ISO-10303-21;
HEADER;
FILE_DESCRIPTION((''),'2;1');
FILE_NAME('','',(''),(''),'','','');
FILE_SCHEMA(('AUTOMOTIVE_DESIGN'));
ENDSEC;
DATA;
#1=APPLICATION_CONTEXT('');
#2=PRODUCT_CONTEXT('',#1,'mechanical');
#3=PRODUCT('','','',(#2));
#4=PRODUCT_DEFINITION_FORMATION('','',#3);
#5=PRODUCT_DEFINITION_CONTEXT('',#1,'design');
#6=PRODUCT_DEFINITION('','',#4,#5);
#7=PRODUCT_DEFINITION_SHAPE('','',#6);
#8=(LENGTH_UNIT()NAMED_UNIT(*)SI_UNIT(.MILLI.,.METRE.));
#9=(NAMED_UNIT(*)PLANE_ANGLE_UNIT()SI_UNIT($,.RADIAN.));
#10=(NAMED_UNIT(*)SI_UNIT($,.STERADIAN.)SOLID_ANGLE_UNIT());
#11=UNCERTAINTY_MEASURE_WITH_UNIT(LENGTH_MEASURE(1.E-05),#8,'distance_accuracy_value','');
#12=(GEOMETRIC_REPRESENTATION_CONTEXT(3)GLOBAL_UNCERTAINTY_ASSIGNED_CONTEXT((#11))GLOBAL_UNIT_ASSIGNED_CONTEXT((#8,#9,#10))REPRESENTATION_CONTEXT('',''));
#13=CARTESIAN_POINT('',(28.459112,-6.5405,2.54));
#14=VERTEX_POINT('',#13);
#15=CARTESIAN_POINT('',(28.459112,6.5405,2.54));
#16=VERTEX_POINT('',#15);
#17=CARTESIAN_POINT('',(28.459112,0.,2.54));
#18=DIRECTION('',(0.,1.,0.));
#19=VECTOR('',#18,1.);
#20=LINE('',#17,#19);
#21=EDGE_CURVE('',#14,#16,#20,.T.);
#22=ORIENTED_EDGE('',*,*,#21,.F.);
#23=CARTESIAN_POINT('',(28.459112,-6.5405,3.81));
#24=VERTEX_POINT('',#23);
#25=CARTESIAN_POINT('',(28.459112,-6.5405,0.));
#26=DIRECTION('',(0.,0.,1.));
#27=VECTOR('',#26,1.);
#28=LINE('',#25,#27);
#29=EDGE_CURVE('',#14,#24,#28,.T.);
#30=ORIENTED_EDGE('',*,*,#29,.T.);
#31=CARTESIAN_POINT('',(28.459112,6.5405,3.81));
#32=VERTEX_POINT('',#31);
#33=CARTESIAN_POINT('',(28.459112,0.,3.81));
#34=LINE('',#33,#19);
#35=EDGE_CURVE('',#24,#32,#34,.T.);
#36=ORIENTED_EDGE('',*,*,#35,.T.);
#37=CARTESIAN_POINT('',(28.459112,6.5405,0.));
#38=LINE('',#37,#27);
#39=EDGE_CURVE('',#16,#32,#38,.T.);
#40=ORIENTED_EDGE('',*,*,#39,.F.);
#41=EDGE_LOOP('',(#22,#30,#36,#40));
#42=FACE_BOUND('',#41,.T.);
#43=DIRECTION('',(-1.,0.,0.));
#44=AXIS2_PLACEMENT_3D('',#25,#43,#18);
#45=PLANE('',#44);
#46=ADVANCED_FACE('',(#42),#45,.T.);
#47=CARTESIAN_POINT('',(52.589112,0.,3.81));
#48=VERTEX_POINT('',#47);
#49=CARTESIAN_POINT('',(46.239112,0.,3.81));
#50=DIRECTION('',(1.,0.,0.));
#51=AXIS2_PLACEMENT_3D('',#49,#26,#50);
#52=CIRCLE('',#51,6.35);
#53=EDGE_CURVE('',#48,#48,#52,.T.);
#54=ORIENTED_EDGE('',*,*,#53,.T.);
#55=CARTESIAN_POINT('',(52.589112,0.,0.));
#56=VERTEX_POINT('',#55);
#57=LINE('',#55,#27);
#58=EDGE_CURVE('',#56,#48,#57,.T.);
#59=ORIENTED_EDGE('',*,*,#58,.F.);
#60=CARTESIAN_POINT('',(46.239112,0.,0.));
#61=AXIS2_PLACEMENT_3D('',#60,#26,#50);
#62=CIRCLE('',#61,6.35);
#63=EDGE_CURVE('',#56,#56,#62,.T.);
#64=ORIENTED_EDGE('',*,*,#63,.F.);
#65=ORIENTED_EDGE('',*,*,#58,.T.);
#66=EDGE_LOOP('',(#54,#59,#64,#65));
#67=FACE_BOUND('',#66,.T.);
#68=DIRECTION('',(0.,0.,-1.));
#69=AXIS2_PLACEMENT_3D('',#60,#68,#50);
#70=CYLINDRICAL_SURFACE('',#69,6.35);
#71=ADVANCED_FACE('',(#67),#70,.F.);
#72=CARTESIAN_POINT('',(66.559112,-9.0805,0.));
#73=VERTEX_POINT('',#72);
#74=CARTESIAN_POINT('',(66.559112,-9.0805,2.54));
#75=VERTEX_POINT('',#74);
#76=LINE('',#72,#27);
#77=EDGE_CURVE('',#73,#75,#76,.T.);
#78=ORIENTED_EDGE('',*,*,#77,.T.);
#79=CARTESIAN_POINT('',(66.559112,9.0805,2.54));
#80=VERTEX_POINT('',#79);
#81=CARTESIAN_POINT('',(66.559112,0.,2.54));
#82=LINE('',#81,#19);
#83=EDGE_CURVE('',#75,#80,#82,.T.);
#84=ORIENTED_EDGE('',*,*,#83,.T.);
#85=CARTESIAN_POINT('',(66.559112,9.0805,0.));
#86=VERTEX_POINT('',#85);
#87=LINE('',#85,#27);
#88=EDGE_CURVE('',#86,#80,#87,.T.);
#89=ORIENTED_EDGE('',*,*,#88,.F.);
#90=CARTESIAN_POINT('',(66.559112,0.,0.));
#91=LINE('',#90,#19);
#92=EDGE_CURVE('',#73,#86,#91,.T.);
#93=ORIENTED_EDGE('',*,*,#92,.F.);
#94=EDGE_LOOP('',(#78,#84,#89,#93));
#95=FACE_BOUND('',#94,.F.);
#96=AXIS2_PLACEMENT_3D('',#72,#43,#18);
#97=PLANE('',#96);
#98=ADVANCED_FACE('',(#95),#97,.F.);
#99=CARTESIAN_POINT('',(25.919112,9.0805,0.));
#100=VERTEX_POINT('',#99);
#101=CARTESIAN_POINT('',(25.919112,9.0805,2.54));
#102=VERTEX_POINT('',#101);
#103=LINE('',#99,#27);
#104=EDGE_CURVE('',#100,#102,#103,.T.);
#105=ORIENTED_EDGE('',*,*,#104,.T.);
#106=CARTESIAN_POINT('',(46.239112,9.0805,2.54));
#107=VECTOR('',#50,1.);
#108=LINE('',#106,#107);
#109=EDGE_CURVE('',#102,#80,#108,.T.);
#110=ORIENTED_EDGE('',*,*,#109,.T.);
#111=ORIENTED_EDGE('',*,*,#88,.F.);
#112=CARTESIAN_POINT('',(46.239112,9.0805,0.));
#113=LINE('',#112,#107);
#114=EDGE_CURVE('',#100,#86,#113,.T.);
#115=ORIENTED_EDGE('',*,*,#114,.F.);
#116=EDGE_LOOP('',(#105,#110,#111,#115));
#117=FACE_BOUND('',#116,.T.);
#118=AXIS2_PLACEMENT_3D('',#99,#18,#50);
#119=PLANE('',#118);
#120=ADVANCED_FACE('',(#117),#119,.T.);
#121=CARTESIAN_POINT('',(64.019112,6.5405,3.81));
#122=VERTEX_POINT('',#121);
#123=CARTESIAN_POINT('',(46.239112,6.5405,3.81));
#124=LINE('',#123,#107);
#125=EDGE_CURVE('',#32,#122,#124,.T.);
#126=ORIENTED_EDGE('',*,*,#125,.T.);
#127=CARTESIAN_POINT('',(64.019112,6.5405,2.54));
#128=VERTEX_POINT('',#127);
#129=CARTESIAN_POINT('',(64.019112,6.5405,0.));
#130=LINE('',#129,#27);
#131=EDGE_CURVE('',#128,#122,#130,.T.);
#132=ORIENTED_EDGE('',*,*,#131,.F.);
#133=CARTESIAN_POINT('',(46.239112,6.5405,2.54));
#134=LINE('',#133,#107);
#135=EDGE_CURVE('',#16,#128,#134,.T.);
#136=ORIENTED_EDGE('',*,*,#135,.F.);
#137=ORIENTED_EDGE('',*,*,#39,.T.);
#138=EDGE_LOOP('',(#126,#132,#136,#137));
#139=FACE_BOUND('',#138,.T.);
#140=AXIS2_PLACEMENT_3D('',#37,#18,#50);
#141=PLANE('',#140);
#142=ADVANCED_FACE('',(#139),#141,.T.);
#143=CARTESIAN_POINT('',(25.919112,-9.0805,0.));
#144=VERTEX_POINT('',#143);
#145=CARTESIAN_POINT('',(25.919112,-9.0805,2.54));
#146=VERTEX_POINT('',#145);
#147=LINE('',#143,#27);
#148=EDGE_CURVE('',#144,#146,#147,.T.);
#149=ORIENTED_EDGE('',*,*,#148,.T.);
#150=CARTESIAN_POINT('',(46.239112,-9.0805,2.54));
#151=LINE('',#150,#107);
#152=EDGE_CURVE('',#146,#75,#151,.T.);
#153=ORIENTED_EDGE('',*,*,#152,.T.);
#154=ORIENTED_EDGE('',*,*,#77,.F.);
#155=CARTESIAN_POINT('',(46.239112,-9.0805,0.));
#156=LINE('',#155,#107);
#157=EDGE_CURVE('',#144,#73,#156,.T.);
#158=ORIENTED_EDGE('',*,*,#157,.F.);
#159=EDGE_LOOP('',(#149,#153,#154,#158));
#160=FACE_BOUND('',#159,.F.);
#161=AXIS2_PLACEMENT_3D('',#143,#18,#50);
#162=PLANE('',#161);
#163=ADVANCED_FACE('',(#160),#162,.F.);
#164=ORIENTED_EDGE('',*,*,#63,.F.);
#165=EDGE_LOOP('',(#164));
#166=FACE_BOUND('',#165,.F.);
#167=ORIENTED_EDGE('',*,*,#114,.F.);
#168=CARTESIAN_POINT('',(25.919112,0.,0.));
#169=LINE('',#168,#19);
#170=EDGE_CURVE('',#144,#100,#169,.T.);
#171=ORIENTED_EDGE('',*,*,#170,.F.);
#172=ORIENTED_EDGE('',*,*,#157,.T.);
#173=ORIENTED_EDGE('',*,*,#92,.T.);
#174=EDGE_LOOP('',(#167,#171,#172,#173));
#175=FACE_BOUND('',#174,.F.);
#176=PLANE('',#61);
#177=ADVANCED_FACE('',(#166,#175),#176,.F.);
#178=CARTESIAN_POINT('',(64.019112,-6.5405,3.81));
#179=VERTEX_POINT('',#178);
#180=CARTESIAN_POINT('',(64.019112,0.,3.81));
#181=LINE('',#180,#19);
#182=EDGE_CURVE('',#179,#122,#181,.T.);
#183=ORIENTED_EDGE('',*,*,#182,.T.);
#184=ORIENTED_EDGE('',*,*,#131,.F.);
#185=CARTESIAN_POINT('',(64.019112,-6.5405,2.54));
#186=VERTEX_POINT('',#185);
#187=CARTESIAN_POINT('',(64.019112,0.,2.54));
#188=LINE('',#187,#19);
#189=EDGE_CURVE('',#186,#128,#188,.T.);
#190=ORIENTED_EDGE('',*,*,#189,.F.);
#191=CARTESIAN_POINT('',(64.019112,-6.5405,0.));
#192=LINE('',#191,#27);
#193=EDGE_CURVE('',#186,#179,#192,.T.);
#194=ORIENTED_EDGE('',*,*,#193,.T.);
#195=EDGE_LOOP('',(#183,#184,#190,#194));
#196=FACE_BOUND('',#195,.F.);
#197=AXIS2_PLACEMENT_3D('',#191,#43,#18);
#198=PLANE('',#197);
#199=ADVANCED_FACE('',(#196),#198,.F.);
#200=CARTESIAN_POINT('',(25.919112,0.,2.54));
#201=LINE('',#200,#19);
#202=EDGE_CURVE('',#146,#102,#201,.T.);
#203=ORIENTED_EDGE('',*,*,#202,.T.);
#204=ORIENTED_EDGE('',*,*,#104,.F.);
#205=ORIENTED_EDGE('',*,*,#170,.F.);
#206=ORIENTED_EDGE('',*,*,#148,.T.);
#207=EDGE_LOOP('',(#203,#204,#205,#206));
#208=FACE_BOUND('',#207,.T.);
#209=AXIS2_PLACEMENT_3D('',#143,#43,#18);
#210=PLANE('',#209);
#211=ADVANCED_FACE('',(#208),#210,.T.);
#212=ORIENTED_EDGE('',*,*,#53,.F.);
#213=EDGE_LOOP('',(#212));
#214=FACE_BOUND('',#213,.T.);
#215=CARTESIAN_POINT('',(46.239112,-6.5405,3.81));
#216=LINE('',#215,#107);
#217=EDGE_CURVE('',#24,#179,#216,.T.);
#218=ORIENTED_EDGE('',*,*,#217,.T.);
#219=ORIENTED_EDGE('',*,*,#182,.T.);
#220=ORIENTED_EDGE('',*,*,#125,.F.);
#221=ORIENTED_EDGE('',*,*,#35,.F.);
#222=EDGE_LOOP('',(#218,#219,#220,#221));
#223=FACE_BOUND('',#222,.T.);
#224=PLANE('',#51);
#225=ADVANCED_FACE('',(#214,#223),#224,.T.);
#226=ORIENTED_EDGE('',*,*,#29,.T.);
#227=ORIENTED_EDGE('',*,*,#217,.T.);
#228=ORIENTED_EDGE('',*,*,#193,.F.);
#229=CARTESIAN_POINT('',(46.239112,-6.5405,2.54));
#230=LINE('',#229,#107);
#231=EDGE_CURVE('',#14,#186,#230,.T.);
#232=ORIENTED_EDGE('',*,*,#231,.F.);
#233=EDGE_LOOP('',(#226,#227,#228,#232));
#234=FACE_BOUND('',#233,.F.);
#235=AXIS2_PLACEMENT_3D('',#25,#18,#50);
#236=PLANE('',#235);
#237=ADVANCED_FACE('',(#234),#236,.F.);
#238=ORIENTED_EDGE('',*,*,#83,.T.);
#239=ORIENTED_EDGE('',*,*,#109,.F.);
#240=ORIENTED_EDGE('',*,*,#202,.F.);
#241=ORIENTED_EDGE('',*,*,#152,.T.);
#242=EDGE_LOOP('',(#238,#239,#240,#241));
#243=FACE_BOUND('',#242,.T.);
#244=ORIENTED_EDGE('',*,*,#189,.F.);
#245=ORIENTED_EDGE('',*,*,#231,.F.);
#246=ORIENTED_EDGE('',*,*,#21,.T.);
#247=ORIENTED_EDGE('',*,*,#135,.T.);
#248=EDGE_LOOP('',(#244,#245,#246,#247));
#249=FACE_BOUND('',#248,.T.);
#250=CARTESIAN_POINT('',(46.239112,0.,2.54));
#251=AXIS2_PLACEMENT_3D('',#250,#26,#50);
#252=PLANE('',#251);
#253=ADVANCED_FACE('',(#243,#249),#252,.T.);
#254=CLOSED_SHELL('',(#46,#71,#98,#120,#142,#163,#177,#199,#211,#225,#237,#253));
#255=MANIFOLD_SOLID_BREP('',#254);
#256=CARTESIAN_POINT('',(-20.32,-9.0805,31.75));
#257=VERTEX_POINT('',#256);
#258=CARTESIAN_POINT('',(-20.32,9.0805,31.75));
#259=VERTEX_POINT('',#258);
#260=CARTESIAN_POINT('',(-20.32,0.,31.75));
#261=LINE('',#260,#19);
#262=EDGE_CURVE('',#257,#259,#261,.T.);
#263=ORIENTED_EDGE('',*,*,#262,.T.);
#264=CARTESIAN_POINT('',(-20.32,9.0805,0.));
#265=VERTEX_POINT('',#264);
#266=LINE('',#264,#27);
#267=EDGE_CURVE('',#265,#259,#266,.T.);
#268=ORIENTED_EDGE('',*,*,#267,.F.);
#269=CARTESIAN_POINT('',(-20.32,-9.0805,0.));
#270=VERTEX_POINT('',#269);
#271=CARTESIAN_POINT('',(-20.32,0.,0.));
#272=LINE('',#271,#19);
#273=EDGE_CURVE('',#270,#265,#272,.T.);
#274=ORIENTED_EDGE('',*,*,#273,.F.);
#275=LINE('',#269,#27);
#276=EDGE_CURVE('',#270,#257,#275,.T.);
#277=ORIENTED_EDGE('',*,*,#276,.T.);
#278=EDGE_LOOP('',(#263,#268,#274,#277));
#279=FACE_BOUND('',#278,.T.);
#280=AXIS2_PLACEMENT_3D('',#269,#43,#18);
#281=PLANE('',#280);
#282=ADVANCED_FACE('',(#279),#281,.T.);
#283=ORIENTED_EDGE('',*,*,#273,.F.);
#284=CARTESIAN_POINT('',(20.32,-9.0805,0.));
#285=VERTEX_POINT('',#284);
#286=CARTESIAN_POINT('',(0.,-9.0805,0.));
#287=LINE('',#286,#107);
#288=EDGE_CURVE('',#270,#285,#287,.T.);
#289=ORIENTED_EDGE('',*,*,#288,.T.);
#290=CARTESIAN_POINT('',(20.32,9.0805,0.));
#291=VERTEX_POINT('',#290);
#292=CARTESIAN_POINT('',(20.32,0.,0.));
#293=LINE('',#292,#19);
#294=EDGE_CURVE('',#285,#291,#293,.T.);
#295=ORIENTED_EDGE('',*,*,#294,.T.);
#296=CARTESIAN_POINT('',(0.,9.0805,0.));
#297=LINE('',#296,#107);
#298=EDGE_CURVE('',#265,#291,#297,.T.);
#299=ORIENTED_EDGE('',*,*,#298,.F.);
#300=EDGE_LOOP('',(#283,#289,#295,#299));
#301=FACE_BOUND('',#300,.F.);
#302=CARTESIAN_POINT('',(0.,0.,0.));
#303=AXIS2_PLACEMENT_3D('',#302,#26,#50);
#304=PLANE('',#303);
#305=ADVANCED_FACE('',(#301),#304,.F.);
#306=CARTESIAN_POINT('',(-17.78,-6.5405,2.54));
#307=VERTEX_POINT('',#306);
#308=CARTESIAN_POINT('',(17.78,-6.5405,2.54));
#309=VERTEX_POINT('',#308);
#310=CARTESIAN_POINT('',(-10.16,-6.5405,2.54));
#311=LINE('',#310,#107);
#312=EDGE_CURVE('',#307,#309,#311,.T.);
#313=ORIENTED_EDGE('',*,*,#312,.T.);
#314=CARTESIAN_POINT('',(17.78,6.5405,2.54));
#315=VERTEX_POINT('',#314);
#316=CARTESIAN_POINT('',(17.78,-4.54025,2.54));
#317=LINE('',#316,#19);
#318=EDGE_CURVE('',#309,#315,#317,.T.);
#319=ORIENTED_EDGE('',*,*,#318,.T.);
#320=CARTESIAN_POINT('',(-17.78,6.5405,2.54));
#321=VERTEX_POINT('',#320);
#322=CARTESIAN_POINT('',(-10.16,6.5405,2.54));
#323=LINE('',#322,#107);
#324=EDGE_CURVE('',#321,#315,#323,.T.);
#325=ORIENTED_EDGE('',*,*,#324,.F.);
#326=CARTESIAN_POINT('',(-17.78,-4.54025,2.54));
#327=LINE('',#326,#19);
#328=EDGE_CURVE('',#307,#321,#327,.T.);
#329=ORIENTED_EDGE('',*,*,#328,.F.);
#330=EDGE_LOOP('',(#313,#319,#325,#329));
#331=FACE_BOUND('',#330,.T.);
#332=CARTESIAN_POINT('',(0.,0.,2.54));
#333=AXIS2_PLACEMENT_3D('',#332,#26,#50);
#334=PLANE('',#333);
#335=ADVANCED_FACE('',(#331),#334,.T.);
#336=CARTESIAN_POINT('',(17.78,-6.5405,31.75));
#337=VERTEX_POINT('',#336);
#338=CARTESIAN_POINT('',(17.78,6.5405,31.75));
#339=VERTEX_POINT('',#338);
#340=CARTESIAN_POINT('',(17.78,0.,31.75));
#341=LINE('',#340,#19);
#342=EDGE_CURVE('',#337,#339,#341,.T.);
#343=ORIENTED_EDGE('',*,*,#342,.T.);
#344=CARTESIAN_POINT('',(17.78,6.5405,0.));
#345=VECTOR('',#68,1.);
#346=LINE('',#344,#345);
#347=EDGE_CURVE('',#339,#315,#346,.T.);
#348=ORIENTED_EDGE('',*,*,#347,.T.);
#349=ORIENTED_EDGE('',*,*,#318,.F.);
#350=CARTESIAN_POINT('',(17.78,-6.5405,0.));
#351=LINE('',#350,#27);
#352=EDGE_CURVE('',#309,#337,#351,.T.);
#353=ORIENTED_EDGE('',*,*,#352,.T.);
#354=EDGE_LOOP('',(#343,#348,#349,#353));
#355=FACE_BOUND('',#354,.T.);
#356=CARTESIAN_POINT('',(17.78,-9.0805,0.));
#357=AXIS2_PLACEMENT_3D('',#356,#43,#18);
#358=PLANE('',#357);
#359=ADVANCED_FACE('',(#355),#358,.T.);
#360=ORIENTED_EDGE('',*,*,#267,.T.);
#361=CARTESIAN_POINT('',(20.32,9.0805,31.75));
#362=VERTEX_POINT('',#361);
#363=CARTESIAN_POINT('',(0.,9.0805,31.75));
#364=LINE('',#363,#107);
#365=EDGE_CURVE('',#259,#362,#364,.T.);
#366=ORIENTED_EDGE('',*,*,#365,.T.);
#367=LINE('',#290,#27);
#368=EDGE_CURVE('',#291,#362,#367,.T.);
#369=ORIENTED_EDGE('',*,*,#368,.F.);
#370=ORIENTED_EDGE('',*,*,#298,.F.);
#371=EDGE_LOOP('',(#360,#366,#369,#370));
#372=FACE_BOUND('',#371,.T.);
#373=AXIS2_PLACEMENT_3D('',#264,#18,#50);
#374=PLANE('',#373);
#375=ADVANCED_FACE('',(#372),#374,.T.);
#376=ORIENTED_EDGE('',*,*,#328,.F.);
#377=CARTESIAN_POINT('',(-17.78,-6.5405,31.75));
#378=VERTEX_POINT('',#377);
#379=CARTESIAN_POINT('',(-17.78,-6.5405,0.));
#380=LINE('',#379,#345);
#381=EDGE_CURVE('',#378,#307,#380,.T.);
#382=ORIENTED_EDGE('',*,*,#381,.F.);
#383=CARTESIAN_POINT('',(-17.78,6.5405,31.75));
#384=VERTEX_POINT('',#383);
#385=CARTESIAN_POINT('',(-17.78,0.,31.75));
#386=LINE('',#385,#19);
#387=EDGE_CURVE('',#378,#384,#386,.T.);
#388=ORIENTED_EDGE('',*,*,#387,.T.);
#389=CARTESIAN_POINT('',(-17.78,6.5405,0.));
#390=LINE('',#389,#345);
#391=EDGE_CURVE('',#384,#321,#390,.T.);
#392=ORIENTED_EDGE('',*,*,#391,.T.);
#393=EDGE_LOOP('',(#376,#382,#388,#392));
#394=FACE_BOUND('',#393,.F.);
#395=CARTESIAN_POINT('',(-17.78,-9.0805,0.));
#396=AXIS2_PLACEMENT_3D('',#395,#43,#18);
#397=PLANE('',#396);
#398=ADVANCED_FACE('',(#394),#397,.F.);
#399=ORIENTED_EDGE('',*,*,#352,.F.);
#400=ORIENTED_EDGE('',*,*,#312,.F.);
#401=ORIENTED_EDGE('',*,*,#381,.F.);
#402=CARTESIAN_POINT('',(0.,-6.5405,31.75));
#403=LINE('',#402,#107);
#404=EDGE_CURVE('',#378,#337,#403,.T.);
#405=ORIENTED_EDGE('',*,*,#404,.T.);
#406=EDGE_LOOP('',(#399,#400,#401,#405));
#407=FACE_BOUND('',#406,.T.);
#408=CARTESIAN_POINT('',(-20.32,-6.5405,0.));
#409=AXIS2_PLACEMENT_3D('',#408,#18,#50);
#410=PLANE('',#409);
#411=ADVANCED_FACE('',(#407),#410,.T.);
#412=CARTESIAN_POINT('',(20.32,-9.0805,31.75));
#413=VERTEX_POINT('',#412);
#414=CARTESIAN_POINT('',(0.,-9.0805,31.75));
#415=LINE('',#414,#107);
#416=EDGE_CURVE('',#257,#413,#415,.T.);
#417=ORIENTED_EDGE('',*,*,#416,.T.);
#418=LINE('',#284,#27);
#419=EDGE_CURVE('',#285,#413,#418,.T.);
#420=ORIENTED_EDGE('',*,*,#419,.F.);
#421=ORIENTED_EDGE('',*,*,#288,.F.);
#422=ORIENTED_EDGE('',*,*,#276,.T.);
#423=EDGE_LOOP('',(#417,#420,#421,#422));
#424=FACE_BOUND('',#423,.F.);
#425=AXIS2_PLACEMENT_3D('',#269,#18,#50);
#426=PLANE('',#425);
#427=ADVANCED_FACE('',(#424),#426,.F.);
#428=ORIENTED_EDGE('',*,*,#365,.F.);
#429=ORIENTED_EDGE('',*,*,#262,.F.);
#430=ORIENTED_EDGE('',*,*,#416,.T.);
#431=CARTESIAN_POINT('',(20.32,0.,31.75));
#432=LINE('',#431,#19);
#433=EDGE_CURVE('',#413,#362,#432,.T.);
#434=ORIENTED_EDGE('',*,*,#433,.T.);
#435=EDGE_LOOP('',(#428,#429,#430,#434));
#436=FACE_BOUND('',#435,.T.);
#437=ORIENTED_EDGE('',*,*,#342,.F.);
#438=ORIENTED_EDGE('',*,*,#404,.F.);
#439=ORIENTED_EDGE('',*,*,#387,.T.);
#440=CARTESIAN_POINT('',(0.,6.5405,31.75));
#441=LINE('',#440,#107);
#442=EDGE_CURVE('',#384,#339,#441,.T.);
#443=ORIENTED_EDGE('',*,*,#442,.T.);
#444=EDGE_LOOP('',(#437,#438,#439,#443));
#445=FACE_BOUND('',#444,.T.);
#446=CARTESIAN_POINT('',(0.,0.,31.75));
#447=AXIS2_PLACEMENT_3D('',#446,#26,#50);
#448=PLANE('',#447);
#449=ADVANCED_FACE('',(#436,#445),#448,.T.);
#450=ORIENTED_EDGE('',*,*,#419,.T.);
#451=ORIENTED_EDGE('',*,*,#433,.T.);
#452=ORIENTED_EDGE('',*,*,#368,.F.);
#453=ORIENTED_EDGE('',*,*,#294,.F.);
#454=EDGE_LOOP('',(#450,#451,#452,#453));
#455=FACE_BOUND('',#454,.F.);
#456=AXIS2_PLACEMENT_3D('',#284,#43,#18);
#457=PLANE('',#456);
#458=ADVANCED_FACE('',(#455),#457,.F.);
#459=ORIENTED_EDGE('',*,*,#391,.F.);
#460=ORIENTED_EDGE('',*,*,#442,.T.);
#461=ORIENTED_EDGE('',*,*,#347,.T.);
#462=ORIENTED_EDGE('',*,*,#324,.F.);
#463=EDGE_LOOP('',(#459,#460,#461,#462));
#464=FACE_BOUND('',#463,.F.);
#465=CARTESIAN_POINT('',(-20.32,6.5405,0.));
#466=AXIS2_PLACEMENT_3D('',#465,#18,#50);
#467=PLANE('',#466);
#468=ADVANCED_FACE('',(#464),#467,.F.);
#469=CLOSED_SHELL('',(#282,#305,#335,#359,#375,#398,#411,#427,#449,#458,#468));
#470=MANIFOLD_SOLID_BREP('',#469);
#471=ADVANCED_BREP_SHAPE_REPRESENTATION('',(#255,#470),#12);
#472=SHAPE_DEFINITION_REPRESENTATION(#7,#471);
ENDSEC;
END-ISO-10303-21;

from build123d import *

# Parameters (mm, degrees)
F0_W     = 40.64
F0_H     = 18.161
F1_DEPTH = 31.75
F2_T     = -2.54
F3_W     = 40.64
F3_H     = 18.161
F3_W_2   = 35.56
F3_H_2   = 13.081
F4_DEPTH = 2.54
F3_R     = 6.35
F5_DEPTH = 3.81


with BuildPart() as f1:
    # F0 (on Top) → F1 (new body)
    with BuildSketch(Plane.XY):
        Rectangle(F0_W, F0_H)
    extrude(amount=F1_DEPTH)

    # F2
    f2_openings = [f1.faces().sort_by_distance(p)[0] for p in [
        (0, 0, 31.75),
    ]]
    offset(amount=F2_T, openings=f2_openings)


with BuildPart() as f4:
    # F3 (on Top) → F4 (new body)
    with BuildSketch(Plane.XY):
        with Locations((46.239112, 0)):
            Rectangle(F3_W, F3_H)
        with Locations((46.239112, 0)):
            Rectangle(F3_W_2, F3_H_2, mode=Mode.SUBTRACT)
    extrude(amount=F4_DEPTH)

    # F3 (on Top) → F5 (join)
    with BuildSketch(Plane.XY):
        with Locations((46.239112, 0)):
            Rectangle(F3_W_2, F3_H_2)
        with Locations((46.239112, 0)):
            Circle(F3_R, mode=Mode.SUBTRACT)
    extrude(amount=F5_DEPTH)


solid = Compound([f1.part, f4.part])
